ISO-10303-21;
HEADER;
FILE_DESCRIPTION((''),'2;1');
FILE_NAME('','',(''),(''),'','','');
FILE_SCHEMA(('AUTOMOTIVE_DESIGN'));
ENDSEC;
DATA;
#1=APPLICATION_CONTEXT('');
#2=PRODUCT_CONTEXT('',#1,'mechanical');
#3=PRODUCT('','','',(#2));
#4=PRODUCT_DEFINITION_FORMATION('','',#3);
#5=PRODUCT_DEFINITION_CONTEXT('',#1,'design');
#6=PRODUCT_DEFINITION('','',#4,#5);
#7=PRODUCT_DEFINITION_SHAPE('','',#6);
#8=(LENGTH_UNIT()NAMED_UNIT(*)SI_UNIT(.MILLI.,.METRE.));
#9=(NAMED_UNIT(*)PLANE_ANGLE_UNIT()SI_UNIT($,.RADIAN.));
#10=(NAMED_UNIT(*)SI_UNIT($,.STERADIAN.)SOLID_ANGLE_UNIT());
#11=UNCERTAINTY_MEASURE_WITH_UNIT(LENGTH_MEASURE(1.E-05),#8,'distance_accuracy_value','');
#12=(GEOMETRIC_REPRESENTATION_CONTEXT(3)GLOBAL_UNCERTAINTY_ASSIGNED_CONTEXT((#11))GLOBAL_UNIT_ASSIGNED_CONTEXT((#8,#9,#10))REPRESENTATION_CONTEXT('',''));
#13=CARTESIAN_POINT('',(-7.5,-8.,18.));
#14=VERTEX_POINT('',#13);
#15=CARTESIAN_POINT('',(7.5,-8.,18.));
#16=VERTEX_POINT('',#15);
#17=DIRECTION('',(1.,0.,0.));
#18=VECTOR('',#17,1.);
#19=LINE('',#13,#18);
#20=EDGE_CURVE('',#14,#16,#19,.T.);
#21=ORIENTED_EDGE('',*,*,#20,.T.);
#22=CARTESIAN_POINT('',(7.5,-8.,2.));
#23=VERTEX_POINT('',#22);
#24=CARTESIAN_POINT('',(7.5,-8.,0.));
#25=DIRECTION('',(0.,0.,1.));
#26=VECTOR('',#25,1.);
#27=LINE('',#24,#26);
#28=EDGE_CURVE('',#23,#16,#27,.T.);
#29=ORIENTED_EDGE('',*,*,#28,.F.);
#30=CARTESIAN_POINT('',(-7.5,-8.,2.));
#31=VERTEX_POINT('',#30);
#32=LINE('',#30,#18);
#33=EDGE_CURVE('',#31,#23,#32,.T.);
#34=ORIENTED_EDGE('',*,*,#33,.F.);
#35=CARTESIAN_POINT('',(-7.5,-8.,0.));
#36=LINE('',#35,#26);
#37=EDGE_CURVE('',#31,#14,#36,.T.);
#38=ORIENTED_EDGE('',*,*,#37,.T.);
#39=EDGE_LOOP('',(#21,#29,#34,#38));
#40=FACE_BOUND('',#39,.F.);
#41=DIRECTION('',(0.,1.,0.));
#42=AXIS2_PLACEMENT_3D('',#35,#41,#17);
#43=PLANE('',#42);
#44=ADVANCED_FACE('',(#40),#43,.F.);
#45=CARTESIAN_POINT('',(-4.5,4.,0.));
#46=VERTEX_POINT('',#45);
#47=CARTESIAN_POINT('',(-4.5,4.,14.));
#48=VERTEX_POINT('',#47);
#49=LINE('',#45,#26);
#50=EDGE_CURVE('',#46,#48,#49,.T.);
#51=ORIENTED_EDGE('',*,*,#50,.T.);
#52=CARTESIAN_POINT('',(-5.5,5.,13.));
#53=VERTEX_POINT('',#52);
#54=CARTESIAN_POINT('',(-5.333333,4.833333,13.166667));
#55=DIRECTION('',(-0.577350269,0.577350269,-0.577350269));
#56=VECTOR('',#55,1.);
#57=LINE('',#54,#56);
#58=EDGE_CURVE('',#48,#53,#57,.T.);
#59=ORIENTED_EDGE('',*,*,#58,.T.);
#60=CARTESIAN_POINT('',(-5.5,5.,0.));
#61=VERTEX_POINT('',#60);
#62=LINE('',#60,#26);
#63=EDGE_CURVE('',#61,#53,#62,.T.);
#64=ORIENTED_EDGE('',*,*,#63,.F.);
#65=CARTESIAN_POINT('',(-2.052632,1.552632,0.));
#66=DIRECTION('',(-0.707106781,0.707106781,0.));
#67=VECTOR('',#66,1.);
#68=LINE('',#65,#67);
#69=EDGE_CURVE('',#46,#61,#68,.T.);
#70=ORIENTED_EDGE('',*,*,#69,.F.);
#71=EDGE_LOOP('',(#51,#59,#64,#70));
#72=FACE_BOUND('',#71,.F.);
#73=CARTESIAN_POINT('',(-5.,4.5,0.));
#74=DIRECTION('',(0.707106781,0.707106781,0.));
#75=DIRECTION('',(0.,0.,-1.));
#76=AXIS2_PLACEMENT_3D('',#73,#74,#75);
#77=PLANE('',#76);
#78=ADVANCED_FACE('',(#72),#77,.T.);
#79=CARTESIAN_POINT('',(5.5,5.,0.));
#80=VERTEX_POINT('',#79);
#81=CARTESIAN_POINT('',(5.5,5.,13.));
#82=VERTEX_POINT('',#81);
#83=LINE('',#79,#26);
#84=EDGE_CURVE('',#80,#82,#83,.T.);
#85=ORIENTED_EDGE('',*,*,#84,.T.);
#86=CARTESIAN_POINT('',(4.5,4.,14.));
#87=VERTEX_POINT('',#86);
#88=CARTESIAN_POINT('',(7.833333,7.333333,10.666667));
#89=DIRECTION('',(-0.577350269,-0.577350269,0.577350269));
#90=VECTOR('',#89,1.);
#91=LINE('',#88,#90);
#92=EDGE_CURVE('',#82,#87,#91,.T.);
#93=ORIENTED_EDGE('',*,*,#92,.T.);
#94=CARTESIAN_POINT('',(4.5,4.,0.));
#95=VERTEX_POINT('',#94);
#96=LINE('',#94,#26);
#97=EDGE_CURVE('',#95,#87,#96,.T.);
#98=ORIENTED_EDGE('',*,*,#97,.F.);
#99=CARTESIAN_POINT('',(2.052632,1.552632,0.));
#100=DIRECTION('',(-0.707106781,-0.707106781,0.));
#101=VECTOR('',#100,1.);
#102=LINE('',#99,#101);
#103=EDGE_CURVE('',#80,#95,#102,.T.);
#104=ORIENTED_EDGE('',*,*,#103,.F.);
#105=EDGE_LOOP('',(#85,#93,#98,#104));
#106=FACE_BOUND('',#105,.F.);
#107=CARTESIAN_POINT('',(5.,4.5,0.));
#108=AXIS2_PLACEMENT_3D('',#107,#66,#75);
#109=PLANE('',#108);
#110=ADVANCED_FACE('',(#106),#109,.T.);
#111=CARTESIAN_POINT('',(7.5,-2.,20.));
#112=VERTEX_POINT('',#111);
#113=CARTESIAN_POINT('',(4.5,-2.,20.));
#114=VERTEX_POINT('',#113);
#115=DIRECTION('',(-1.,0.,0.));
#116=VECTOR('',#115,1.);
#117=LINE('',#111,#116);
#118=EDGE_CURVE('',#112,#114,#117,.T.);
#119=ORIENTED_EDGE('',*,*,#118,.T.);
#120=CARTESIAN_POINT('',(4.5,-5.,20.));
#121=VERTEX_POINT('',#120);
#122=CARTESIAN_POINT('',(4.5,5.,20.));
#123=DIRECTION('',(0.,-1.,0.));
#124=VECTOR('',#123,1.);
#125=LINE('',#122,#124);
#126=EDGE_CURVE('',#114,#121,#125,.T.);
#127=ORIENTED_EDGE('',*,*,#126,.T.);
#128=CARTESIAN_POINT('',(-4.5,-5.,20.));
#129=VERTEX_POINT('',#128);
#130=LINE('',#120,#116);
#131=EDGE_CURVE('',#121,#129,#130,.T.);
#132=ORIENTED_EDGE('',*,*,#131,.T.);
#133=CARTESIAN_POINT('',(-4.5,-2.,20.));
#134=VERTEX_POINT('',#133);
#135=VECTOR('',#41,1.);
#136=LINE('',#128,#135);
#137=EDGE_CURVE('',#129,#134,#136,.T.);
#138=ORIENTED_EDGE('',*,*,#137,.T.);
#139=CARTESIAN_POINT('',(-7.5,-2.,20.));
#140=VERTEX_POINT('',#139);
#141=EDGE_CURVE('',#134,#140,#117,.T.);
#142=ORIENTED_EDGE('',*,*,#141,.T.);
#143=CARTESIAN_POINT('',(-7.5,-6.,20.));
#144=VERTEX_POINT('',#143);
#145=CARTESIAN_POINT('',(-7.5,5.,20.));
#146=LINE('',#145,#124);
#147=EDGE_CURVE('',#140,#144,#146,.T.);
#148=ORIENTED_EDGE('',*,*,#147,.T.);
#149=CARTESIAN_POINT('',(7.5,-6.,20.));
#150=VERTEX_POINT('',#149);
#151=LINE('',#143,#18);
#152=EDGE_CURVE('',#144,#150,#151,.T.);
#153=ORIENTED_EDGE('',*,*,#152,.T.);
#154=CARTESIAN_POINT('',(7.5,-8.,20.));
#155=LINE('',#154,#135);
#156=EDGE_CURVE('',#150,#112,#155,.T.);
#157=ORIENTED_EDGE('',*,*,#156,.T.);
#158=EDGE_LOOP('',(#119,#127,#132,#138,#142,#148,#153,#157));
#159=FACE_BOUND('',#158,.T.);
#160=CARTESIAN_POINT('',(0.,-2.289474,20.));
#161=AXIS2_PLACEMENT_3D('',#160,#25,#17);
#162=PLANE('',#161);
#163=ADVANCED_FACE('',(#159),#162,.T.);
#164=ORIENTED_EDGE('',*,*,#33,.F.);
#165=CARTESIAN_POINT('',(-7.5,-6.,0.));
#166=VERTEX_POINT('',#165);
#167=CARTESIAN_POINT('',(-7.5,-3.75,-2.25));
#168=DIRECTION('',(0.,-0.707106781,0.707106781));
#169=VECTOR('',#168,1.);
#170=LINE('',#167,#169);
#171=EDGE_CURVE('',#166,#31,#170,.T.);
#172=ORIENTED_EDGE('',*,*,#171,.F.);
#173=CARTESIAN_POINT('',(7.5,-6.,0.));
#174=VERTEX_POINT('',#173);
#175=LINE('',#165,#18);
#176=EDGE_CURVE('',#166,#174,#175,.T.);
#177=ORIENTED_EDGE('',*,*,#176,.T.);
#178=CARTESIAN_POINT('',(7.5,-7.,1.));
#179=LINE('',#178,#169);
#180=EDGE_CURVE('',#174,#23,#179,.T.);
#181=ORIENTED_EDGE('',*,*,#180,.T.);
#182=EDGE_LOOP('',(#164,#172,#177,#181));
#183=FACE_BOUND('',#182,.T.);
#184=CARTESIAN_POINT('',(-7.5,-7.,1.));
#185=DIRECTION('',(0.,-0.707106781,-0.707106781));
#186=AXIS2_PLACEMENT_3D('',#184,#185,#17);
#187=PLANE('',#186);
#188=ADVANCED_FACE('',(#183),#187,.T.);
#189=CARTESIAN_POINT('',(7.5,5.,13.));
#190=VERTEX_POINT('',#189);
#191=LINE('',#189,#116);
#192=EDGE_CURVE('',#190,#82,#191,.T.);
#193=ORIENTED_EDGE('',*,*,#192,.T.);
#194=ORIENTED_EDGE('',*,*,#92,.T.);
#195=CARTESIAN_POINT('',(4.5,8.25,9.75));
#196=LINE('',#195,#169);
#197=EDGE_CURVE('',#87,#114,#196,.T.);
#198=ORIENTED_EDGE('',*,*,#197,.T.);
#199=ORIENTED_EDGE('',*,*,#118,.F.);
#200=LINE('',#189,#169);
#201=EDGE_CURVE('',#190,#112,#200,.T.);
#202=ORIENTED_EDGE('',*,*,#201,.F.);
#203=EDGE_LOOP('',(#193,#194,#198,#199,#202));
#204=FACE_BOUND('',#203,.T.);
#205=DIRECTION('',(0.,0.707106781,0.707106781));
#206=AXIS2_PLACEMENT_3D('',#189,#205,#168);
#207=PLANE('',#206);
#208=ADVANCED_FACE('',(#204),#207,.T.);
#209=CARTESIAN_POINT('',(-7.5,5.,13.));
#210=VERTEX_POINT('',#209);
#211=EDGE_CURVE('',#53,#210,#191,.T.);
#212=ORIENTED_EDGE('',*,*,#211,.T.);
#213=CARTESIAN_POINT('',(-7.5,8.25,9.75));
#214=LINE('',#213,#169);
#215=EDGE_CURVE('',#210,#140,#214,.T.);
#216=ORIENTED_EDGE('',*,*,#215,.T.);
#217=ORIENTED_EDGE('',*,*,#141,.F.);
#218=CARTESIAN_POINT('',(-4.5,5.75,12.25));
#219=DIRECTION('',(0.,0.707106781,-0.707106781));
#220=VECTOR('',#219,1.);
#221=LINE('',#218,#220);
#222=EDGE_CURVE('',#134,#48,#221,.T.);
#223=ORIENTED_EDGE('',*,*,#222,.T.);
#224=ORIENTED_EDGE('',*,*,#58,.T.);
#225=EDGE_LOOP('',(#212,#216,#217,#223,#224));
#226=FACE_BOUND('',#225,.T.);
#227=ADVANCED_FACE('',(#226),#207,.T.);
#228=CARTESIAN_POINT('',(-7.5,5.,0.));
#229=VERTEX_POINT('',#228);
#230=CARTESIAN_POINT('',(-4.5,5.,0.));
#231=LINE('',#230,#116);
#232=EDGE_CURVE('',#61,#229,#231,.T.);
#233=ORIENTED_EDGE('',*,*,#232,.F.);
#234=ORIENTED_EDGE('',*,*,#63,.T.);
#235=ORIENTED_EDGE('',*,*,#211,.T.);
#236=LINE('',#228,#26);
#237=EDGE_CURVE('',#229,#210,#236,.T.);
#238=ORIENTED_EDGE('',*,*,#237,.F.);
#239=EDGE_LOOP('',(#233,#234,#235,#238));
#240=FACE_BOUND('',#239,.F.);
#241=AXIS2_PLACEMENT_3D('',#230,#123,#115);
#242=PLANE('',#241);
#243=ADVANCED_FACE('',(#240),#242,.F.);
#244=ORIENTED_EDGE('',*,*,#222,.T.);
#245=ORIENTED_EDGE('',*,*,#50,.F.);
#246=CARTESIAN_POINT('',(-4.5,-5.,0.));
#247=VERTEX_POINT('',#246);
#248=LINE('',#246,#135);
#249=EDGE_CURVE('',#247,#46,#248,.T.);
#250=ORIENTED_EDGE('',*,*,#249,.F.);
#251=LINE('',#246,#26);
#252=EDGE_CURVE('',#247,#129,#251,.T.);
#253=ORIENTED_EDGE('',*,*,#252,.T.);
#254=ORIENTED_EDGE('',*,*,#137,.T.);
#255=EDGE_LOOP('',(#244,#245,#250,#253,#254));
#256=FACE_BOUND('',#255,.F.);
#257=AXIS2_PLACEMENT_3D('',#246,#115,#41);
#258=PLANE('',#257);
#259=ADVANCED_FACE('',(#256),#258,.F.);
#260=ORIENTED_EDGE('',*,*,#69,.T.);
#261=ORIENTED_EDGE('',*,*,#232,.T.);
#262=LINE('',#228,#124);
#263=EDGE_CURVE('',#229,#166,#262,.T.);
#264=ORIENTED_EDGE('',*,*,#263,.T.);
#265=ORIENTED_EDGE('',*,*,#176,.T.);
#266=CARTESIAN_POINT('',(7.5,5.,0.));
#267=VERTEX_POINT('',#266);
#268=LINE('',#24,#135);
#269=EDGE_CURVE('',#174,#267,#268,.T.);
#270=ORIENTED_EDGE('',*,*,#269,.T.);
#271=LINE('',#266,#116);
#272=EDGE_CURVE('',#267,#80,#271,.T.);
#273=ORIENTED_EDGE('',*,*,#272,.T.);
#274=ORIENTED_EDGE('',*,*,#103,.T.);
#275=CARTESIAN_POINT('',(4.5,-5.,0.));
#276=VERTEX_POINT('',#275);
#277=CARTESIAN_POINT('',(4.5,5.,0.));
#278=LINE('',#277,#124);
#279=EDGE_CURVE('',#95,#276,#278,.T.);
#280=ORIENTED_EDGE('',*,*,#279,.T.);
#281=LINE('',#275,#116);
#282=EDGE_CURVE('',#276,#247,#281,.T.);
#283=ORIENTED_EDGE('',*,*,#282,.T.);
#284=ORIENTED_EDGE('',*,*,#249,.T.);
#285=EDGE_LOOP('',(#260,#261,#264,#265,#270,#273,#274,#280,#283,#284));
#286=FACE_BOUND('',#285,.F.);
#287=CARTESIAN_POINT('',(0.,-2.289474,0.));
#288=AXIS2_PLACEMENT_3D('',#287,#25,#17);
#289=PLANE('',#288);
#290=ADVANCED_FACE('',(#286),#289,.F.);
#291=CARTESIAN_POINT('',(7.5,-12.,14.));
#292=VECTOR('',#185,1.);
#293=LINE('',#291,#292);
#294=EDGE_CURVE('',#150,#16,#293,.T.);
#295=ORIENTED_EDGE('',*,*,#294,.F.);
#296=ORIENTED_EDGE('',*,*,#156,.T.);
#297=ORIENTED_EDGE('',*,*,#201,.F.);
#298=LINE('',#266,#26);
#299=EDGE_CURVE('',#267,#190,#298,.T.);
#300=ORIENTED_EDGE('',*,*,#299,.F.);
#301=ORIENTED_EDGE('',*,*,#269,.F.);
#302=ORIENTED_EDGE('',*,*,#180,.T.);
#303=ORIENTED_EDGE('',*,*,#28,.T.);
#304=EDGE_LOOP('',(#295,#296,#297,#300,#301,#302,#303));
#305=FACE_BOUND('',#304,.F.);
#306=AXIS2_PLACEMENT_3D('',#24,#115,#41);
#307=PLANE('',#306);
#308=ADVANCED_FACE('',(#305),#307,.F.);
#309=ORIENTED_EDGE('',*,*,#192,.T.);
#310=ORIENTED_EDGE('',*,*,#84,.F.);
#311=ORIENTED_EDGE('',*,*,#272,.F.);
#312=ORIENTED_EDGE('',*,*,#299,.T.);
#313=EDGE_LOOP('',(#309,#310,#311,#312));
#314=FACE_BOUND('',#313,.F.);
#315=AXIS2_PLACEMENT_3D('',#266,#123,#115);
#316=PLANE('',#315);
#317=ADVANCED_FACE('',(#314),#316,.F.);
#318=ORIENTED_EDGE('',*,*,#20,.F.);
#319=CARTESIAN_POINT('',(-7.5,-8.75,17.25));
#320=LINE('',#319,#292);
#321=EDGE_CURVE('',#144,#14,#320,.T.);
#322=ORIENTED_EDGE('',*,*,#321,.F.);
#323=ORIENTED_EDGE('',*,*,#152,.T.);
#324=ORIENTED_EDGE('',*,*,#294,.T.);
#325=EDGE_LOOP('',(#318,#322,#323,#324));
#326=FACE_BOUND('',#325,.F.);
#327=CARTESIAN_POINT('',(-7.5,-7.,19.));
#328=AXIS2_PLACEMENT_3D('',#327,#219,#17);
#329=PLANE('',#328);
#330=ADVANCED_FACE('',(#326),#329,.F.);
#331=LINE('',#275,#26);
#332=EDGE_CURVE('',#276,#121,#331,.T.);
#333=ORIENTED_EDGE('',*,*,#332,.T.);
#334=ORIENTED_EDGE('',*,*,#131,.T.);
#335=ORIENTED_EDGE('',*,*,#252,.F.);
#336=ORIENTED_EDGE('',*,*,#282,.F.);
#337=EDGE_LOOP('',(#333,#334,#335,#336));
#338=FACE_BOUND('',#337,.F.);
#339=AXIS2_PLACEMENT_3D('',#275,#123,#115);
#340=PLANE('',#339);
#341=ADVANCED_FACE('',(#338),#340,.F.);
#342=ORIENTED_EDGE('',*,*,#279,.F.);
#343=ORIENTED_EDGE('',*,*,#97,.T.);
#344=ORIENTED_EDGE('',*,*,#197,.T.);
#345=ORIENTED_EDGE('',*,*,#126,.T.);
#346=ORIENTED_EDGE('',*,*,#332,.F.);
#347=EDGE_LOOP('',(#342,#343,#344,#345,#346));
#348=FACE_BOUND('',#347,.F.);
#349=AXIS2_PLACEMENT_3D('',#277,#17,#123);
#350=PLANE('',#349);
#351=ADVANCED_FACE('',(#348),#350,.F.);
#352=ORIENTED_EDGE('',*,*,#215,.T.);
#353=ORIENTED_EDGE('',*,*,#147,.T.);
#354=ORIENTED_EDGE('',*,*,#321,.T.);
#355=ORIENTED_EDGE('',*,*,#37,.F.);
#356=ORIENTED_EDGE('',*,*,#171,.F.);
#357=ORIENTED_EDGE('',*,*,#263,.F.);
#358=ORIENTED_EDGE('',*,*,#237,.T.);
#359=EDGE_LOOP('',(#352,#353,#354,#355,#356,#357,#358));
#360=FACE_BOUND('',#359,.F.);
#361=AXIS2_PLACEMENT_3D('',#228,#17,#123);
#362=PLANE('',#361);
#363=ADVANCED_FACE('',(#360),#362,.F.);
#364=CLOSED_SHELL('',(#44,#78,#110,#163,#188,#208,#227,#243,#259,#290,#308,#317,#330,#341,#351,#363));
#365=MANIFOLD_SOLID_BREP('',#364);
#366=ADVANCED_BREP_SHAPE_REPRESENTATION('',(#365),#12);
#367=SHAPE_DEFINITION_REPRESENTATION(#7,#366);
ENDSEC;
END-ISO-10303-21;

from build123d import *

# Parameters (mm, degrees)
PAD_DEPTH       = 20
CHAMFER_SIZE    = 1
CHAMFER001_SIZE = 2
POCKET_DEPTH    = 15.001


with BuildPart() as part:
    # Sketch → Pad (new body)
    with BuildSketch(Plane.XY):
        Polygon((-7.5, 5), (-7.5, -8), (7.5, -8), (7.5, 5), (4.5, 5), (4.5, -5), (-4.5, -5), (-4.5, 5), align=None)
    extrude(amount=PAD_DEPTH)

    # Chamfer
    chamfer_edges = [part.edges().sort_by_distance(p)[0] for p in [
        (-4.5, 5, 10),
        (4.5, 5, 10),
    ]]
    chamfer(chamfer_edges, length=CHAMFER_SIZE)

    # Chamfer001
    chamfer001_edges = [part.edges().sort_by_distance(p)[0] for p in [
        (0, -8, 20),
        (0, -8, 0),
    ]]
    chamfer(chamfer001_edges, length=CHAMFER001_SIZE)

    # Sketch001 (on Face2 of Chamfer001) → Pocket (cut, through all)
    with BuildSketch(Plane.YZ.offset(7.5)):
        Polygon((-2, 20), (5, 20), (5, 13), align=None)
    extrude(amount=-POCKET_DEPTH, mode=Mode.SUBTRACT)


solid = part.part
